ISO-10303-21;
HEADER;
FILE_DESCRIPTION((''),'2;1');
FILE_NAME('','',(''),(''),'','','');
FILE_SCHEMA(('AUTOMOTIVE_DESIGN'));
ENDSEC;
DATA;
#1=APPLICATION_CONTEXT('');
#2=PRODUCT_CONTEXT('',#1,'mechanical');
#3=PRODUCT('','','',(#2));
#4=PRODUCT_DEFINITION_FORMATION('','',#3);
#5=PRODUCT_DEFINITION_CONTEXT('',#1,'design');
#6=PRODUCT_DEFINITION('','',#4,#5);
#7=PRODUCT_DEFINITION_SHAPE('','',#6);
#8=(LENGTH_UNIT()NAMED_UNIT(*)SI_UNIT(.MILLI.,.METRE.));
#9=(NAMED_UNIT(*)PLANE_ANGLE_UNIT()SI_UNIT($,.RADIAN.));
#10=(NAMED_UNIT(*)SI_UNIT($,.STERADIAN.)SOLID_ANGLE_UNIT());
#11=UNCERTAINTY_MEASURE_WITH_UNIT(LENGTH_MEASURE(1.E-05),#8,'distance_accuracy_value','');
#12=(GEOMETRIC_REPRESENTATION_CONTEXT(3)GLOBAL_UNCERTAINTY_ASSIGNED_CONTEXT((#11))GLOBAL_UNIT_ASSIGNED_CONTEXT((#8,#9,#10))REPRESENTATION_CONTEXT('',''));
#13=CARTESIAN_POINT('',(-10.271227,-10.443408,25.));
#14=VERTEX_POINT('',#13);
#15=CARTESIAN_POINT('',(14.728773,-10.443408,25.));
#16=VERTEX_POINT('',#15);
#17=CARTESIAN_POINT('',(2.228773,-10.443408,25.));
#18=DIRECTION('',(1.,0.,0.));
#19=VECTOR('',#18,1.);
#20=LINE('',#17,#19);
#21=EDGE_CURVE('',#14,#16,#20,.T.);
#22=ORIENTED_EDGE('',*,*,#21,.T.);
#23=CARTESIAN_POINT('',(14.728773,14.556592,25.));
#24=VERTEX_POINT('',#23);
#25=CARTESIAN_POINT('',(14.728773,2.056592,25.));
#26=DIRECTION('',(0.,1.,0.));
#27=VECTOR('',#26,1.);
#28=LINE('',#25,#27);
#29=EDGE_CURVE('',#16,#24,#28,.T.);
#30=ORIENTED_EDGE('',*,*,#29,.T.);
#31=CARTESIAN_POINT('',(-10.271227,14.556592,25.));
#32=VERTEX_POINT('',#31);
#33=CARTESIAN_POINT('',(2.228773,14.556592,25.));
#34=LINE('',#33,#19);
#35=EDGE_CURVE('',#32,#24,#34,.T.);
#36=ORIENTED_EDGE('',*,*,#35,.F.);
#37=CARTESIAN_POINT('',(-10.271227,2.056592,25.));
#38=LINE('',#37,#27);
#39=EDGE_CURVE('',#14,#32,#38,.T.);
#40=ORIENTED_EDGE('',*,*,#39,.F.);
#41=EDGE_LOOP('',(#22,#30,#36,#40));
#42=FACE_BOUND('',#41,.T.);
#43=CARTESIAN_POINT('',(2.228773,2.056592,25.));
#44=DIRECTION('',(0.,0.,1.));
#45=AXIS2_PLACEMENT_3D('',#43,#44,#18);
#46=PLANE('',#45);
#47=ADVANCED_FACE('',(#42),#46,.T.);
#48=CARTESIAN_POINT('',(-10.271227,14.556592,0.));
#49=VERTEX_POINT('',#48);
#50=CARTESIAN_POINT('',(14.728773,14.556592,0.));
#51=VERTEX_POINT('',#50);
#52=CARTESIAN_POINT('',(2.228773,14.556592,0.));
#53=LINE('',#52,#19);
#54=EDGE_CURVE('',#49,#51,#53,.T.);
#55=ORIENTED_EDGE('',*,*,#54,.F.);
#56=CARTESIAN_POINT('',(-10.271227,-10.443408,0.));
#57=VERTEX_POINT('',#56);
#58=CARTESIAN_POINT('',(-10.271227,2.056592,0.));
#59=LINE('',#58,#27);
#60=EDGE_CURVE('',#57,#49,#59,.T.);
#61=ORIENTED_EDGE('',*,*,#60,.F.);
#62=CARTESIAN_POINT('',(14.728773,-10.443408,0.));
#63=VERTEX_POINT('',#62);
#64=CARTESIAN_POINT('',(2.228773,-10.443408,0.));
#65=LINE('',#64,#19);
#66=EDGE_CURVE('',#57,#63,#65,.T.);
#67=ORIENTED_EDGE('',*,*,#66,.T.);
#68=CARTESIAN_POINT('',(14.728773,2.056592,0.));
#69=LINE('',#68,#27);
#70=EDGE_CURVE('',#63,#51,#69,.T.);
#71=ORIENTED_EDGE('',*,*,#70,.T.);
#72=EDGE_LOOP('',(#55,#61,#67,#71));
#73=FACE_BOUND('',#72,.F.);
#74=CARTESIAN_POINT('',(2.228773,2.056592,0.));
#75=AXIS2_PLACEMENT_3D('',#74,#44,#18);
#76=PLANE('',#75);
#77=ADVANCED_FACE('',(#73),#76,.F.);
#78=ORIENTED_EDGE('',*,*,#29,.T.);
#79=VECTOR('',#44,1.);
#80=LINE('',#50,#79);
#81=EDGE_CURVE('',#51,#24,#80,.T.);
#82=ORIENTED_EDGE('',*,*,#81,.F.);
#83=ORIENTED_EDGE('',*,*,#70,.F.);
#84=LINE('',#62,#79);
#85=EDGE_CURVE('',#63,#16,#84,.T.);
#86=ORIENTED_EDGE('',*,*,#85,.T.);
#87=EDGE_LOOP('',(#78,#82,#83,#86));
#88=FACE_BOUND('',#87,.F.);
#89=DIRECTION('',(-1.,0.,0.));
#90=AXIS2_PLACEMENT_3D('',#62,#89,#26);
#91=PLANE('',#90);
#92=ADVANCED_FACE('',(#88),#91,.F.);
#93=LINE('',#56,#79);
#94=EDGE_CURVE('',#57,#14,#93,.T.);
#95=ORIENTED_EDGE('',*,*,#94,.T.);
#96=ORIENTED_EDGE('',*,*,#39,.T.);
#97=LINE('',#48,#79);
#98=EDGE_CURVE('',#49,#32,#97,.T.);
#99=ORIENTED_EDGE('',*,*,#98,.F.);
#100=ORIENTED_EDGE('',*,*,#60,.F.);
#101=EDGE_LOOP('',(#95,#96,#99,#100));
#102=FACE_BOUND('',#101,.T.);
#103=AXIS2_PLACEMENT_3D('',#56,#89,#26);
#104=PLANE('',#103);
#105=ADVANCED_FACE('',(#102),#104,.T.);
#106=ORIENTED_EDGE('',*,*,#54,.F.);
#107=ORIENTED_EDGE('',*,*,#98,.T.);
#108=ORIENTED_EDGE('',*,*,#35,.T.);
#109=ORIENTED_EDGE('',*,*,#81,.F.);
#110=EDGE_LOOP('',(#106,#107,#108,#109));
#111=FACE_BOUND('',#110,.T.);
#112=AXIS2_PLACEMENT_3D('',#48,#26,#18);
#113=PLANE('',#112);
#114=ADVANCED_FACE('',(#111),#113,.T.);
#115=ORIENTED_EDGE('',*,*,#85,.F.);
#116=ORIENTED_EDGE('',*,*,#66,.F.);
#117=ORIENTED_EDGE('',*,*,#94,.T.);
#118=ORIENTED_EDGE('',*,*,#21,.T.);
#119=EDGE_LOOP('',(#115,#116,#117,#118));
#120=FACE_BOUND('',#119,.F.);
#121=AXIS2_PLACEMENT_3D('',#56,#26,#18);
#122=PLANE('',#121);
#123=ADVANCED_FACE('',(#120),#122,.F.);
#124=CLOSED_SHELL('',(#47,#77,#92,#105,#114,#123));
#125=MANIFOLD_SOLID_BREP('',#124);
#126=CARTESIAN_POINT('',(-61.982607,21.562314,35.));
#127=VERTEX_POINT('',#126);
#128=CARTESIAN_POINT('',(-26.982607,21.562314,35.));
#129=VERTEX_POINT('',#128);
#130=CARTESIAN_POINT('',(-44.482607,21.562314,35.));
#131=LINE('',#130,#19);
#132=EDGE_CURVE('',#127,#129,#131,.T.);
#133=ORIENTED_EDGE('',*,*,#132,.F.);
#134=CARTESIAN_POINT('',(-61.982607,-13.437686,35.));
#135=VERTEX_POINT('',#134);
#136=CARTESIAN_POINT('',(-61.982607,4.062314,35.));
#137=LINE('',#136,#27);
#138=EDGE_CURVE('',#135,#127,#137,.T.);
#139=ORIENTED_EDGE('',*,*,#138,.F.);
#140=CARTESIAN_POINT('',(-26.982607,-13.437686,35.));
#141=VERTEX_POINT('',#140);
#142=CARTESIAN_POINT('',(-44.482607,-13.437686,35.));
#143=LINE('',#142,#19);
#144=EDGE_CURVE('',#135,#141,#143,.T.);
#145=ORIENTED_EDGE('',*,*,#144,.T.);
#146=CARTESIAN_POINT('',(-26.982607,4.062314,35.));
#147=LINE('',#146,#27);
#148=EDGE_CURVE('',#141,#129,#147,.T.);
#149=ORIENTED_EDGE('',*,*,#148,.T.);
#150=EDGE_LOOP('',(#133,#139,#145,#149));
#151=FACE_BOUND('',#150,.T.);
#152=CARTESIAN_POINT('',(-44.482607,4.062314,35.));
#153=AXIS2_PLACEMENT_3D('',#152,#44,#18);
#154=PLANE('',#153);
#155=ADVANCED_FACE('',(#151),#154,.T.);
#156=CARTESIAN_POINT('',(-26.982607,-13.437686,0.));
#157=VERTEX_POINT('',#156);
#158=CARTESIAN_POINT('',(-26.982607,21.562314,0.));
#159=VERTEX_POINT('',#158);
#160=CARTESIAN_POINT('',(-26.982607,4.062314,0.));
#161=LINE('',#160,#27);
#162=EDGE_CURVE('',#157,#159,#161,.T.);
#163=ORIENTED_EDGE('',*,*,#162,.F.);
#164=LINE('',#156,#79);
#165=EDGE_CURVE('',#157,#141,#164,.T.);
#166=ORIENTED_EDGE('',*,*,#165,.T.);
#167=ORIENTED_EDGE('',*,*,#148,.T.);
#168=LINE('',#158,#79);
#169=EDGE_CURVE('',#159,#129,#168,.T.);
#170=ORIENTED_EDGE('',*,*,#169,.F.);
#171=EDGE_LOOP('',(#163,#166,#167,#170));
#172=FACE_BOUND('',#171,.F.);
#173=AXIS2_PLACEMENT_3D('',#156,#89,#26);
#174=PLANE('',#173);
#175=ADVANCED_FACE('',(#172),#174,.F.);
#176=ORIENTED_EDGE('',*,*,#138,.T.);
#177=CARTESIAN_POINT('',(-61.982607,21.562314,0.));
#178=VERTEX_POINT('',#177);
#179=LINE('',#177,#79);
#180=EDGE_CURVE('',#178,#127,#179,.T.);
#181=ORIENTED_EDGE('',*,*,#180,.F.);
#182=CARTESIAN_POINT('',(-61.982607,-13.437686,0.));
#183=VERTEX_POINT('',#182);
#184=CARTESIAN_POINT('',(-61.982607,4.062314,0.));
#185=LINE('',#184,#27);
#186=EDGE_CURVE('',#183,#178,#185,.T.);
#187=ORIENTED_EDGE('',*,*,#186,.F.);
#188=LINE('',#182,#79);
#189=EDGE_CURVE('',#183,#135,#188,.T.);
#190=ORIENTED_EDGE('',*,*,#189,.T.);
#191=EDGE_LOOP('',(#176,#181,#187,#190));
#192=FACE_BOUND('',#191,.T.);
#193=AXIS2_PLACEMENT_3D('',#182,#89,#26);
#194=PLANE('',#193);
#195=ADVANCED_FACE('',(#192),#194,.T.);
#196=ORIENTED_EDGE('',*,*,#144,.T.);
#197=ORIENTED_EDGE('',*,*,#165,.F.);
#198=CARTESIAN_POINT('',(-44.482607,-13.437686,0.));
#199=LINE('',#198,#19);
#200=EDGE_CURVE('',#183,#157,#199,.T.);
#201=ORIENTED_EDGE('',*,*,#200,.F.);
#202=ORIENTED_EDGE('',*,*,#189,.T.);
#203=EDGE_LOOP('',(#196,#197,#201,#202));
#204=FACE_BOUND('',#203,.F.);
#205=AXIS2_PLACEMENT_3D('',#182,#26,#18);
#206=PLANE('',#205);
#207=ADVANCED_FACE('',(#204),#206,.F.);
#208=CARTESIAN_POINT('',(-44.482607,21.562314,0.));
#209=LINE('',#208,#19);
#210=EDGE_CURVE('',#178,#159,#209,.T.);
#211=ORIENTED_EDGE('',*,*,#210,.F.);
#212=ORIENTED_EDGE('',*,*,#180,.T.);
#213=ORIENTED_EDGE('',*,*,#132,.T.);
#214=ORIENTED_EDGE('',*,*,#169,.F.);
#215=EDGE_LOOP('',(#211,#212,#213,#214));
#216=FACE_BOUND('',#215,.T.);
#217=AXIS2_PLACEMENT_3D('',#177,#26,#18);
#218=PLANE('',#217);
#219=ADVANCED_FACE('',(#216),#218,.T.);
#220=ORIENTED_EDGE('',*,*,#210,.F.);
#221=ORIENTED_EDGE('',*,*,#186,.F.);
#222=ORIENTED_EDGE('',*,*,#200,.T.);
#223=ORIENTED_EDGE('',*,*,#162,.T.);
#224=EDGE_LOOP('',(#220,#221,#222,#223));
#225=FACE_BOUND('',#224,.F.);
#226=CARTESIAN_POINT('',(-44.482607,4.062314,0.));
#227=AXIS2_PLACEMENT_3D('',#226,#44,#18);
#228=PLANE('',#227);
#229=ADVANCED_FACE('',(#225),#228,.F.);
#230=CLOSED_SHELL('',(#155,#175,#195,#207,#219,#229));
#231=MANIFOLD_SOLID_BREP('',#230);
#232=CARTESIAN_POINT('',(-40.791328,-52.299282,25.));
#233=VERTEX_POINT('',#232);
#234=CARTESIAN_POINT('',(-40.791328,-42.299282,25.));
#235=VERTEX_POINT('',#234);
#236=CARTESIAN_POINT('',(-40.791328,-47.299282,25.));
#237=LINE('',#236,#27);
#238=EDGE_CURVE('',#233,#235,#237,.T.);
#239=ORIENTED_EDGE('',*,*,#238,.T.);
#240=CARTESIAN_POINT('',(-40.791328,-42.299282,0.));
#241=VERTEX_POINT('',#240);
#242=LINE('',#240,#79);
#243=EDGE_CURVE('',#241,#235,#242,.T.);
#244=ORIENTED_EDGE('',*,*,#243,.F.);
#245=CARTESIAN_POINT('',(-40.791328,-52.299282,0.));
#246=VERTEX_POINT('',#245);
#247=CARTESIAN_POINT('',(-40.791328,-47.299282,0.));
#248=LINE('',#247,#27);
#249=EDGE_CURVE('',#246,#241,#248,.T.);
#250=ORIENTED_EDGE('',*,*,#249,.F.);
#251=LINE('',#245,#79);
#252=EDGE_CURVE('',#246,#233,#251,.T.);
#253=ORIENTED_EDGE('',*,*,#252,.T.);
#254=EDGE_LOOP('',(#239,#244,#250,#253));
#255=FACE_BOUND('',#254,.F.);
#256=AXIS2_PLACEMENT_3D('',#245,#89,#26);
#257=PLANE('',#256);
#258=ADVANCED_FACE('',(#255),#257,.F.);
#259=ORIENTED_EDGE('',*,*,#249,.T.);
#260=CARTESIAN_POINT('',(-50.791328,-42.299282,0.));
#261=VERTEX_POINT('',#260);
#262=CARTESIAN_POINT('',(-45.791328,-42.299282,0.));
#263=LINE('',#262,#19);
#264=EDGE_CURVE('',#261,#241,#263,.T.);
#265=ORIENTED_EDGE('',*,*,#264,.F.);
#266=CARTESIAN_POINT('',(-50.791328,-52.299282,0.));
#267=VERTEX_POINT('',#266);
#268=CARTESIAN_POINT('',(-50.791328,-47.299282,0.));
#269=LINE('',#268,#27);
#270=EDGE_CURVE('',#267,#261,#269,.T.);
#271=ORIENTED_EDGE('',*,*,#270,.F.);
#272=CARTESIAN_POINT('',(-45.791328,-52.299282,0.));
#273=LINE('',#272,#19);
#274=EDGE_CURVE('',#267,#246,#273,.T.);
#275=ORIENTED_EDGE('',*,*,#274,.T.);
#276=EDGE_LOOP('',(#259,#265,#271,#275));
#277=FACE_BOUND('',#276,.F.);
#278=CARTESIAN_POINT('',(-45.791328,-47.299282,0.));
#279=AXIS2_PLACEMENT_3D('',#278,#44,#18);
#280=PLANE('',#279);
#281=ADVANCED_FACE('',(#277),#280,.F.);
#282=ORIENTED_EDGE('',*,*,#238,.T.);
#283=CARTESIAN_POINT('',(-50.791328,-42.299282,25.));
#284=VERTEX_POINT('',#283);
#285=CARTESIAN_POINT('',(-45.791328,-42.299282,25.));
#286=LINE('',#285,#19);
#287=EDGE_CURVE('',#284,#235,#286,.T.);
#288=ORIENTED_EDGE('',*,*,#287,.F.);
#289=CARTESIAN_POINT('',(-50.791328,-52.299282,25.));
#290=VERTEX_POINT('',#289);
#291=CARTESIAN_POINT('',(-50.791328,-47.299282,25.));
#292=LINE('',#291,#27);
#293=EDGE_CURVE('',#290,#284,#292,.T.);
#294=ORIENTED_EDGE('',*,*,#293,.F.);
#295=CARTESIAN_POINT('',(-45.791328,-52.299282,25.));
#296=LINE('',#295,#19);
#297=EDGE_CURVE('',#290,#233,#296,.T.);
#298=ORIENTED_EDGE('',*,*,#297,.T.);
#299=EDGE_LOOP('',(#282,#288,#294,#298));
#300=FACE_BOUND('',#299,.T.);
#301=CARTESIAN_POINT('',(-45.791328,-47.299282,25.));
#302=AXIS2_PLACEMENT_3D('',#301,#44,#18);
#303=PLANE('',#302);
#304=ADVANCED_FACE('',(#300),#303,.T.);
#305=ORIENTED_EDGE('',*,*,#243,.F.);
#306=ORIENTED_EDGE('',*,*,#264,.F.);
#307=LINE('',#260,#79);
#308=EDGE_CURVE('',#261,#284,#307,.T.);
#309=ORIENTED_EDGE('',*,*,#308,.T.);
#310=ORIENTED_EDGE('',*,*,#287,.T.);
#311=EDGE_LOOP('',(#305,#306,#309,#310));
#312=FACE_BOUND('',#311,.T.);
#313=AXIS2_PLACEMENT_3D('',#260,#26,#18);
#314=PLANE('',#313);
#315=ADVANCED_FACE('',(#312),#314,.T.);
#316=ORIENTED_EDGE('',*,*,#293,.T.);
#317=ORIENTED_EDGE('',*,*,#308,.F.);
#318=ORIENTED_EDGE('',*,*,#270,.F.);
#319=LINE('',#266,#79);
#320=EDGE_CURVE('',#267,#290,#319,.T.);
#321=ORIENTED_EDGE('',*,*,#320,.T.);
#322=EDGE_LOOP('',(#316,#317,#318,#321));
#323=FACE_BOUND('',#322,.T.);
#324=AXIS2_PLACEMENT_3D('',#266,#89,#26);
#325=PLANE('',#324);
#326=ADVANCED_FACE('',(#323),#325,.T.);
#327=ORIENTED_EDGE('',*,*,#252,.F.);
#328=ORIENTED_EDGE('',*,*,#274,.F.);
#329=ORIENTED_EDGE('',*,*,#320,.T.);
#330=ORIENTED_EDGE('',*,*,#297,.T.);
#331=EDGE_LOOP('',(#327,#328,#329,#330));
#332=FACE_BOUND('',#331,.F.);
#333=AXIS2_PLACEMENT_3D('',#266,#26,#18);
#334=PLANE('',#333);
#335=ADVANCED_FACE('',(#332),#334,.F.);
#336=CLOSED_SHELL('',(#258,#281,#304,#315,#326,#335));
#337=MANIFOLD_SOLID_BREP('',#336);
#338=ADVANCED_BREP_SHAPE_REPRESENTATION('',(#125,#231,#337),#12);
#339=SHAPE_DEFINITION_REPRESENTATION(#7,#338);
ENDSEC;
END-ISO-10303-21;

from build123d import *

# Parameters (mm, degrees)
F0_W     = 25
F0_H     = 25
F1_DEPTH = 25
F2_W     = 35
F2_H     = 35
F3_DEPTH = 35
F4_W     = 10
F4_H     = 10
F5_DEPTH = 25


with BuildPart() as f1:
    # F0 (on Top) → F1 (new body)
    with BuildSketch(Plane.XY):
        with Locations((2.228773, 2.056592)):
            Rectangle(F0_W, F0_H)
    extrude(amount=F1_DEPTH)


with BuildPart() as f3:
    # F2 (on Top) → F3 (new body)
    with BuildSketch(Plane.XY):
        with Locations((-44.482607, 4.062314)):
            Rectangle(F2_W, F2_H)
    extrude(amount=F3_DEPTH)


with BuildPart() as f5:
    # F4 (on Top) → F5 (new body)
    with BuildSketch(Plane.XY):
        with Locations((-45.791328, -47.299282)):
            Rectangle(F4_W, F4_H)
    extrude(amount=F5_DEPTH)


solid = Compound([f1.part, f3.part, f5.part])
